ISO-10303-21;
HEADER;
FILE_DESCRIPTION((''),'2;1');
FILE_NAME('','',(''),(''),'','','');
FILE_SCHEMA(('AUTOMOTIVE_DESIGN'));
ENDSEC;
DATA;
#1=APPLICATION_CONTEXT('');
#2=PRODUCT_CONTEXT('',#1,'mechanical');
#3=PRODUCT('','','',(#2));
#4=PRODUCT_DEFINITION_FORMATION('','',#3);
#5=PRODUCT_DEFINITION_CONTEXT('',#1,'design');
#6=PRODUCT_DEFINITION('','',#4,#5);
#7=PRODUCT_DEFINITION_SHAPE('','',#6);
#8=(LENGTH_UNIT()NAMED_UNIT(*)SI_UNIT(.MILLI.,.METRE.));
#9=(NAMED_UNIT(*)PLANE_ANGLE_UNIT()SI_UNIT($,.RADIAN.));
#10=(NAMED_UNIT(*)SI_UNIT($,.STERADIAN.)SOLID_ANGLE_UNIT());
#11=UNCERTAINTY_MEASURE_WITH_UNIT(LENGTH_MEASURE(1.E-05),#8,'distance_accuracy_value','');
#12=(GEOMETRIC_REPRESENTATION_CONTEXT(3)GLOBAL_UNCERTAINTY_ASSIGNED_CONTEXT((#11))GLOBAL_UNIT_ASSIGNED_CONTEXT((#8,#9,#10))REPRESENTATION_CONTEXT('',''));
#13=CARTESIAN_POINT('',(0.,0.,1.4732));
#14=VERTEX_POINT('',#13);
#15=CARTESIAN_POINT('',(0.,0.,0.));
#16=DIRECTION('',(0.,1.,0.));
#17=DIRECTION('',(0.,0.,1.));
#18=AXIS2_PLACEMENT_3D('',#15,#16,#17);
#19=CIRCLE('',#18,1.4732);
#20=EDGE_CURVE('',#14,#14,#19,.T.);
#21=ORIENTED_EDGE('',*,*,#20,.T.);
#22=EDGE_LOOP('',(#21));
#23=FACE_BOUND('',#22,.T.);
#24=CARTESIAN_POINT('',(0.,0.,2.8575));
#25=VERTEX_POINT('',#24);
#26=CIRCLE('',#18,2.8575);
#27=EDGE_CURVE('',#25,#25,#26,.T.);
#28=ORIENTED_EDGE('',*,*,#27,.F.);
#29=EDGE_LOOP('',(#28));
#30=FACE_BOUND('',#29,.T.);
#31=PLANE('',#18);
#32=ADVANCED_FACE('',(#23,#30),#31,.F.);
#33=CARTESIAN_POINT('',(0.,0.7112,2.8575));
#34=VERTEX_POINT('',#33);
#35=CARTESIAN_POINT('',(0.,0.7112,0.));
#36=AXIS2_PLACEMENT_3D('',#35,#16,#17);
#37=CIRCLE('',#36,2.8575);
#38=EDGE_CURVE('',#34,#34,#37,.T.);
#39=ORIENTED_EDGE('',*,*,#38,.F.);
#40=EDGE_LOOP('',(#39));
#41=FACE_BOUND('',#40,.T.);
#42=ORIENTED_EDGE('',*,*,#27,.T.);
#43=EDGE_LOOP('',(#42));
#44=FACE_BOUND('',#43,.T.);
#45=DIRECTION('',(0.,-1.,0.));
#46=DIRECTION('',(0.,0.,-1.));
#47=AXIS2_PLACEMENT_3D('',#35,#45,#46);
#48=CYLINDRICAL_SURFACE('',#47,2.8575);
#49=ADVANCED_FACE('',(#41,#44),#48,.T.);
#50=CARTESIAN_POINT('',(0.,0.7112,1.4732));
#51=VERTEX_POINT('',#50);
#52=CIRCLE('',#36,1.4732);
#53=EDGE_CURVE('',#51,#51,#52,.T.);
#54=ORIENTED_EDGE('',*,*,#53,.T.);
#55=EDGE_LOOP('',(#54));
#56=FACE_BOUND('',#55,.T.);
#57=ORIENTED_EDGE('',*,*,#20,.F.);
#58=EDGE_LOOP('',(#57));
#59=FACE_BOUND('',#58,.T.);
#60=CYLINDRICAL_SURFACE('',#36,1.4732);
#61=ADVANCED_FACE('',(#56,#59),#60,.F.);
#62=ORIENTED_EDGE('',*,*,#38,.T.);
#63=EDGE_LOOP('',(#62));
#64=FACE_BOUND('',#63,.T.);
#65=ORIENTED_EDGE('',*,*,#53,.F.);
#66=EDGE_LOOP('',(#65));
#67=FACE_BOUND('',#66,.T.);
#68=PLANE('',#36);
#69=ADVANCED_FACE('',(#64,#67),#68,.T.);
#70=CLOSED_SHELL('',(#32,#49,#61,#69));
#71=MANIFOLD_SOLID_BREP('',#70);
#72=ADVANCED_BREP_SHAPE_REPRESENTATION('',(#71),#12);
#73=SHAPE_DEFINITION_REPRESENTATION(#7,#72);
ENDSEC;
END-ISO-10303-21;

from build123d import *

# Parameters (mm, degrees)
SKETCH1_R                   = 2.8575
BOSS_EXTRUDE1_DEPTH         = 0.7112
F_32_0_116_DIAMETER_HOLE1_D = 2.9464


with BuildPart() as part:
    # Sketch1 → Boss-Extrude1 (new body)
    with BuildSketch(Plane(origin=(0, 0, 0), x_dir=(1, 0, 0), z_dir=(0, 1, 0))):
        Circle(SKETCH1_R)
    extrude(amount=BOSS_EXTRUDE1_DEPTH)

    # #32 (0.116) Diameter Hole1 (through all)
    with Locations(Plane(origin=(0, 0.7112, 0), x_dir=(1, 0, 0), z_dir=(0, 1, 0))):
        with Locations((0, 0)):
            Hole(F_32_0_116_DIAMETER_HOLE1_D / 2)


solid = part.part
